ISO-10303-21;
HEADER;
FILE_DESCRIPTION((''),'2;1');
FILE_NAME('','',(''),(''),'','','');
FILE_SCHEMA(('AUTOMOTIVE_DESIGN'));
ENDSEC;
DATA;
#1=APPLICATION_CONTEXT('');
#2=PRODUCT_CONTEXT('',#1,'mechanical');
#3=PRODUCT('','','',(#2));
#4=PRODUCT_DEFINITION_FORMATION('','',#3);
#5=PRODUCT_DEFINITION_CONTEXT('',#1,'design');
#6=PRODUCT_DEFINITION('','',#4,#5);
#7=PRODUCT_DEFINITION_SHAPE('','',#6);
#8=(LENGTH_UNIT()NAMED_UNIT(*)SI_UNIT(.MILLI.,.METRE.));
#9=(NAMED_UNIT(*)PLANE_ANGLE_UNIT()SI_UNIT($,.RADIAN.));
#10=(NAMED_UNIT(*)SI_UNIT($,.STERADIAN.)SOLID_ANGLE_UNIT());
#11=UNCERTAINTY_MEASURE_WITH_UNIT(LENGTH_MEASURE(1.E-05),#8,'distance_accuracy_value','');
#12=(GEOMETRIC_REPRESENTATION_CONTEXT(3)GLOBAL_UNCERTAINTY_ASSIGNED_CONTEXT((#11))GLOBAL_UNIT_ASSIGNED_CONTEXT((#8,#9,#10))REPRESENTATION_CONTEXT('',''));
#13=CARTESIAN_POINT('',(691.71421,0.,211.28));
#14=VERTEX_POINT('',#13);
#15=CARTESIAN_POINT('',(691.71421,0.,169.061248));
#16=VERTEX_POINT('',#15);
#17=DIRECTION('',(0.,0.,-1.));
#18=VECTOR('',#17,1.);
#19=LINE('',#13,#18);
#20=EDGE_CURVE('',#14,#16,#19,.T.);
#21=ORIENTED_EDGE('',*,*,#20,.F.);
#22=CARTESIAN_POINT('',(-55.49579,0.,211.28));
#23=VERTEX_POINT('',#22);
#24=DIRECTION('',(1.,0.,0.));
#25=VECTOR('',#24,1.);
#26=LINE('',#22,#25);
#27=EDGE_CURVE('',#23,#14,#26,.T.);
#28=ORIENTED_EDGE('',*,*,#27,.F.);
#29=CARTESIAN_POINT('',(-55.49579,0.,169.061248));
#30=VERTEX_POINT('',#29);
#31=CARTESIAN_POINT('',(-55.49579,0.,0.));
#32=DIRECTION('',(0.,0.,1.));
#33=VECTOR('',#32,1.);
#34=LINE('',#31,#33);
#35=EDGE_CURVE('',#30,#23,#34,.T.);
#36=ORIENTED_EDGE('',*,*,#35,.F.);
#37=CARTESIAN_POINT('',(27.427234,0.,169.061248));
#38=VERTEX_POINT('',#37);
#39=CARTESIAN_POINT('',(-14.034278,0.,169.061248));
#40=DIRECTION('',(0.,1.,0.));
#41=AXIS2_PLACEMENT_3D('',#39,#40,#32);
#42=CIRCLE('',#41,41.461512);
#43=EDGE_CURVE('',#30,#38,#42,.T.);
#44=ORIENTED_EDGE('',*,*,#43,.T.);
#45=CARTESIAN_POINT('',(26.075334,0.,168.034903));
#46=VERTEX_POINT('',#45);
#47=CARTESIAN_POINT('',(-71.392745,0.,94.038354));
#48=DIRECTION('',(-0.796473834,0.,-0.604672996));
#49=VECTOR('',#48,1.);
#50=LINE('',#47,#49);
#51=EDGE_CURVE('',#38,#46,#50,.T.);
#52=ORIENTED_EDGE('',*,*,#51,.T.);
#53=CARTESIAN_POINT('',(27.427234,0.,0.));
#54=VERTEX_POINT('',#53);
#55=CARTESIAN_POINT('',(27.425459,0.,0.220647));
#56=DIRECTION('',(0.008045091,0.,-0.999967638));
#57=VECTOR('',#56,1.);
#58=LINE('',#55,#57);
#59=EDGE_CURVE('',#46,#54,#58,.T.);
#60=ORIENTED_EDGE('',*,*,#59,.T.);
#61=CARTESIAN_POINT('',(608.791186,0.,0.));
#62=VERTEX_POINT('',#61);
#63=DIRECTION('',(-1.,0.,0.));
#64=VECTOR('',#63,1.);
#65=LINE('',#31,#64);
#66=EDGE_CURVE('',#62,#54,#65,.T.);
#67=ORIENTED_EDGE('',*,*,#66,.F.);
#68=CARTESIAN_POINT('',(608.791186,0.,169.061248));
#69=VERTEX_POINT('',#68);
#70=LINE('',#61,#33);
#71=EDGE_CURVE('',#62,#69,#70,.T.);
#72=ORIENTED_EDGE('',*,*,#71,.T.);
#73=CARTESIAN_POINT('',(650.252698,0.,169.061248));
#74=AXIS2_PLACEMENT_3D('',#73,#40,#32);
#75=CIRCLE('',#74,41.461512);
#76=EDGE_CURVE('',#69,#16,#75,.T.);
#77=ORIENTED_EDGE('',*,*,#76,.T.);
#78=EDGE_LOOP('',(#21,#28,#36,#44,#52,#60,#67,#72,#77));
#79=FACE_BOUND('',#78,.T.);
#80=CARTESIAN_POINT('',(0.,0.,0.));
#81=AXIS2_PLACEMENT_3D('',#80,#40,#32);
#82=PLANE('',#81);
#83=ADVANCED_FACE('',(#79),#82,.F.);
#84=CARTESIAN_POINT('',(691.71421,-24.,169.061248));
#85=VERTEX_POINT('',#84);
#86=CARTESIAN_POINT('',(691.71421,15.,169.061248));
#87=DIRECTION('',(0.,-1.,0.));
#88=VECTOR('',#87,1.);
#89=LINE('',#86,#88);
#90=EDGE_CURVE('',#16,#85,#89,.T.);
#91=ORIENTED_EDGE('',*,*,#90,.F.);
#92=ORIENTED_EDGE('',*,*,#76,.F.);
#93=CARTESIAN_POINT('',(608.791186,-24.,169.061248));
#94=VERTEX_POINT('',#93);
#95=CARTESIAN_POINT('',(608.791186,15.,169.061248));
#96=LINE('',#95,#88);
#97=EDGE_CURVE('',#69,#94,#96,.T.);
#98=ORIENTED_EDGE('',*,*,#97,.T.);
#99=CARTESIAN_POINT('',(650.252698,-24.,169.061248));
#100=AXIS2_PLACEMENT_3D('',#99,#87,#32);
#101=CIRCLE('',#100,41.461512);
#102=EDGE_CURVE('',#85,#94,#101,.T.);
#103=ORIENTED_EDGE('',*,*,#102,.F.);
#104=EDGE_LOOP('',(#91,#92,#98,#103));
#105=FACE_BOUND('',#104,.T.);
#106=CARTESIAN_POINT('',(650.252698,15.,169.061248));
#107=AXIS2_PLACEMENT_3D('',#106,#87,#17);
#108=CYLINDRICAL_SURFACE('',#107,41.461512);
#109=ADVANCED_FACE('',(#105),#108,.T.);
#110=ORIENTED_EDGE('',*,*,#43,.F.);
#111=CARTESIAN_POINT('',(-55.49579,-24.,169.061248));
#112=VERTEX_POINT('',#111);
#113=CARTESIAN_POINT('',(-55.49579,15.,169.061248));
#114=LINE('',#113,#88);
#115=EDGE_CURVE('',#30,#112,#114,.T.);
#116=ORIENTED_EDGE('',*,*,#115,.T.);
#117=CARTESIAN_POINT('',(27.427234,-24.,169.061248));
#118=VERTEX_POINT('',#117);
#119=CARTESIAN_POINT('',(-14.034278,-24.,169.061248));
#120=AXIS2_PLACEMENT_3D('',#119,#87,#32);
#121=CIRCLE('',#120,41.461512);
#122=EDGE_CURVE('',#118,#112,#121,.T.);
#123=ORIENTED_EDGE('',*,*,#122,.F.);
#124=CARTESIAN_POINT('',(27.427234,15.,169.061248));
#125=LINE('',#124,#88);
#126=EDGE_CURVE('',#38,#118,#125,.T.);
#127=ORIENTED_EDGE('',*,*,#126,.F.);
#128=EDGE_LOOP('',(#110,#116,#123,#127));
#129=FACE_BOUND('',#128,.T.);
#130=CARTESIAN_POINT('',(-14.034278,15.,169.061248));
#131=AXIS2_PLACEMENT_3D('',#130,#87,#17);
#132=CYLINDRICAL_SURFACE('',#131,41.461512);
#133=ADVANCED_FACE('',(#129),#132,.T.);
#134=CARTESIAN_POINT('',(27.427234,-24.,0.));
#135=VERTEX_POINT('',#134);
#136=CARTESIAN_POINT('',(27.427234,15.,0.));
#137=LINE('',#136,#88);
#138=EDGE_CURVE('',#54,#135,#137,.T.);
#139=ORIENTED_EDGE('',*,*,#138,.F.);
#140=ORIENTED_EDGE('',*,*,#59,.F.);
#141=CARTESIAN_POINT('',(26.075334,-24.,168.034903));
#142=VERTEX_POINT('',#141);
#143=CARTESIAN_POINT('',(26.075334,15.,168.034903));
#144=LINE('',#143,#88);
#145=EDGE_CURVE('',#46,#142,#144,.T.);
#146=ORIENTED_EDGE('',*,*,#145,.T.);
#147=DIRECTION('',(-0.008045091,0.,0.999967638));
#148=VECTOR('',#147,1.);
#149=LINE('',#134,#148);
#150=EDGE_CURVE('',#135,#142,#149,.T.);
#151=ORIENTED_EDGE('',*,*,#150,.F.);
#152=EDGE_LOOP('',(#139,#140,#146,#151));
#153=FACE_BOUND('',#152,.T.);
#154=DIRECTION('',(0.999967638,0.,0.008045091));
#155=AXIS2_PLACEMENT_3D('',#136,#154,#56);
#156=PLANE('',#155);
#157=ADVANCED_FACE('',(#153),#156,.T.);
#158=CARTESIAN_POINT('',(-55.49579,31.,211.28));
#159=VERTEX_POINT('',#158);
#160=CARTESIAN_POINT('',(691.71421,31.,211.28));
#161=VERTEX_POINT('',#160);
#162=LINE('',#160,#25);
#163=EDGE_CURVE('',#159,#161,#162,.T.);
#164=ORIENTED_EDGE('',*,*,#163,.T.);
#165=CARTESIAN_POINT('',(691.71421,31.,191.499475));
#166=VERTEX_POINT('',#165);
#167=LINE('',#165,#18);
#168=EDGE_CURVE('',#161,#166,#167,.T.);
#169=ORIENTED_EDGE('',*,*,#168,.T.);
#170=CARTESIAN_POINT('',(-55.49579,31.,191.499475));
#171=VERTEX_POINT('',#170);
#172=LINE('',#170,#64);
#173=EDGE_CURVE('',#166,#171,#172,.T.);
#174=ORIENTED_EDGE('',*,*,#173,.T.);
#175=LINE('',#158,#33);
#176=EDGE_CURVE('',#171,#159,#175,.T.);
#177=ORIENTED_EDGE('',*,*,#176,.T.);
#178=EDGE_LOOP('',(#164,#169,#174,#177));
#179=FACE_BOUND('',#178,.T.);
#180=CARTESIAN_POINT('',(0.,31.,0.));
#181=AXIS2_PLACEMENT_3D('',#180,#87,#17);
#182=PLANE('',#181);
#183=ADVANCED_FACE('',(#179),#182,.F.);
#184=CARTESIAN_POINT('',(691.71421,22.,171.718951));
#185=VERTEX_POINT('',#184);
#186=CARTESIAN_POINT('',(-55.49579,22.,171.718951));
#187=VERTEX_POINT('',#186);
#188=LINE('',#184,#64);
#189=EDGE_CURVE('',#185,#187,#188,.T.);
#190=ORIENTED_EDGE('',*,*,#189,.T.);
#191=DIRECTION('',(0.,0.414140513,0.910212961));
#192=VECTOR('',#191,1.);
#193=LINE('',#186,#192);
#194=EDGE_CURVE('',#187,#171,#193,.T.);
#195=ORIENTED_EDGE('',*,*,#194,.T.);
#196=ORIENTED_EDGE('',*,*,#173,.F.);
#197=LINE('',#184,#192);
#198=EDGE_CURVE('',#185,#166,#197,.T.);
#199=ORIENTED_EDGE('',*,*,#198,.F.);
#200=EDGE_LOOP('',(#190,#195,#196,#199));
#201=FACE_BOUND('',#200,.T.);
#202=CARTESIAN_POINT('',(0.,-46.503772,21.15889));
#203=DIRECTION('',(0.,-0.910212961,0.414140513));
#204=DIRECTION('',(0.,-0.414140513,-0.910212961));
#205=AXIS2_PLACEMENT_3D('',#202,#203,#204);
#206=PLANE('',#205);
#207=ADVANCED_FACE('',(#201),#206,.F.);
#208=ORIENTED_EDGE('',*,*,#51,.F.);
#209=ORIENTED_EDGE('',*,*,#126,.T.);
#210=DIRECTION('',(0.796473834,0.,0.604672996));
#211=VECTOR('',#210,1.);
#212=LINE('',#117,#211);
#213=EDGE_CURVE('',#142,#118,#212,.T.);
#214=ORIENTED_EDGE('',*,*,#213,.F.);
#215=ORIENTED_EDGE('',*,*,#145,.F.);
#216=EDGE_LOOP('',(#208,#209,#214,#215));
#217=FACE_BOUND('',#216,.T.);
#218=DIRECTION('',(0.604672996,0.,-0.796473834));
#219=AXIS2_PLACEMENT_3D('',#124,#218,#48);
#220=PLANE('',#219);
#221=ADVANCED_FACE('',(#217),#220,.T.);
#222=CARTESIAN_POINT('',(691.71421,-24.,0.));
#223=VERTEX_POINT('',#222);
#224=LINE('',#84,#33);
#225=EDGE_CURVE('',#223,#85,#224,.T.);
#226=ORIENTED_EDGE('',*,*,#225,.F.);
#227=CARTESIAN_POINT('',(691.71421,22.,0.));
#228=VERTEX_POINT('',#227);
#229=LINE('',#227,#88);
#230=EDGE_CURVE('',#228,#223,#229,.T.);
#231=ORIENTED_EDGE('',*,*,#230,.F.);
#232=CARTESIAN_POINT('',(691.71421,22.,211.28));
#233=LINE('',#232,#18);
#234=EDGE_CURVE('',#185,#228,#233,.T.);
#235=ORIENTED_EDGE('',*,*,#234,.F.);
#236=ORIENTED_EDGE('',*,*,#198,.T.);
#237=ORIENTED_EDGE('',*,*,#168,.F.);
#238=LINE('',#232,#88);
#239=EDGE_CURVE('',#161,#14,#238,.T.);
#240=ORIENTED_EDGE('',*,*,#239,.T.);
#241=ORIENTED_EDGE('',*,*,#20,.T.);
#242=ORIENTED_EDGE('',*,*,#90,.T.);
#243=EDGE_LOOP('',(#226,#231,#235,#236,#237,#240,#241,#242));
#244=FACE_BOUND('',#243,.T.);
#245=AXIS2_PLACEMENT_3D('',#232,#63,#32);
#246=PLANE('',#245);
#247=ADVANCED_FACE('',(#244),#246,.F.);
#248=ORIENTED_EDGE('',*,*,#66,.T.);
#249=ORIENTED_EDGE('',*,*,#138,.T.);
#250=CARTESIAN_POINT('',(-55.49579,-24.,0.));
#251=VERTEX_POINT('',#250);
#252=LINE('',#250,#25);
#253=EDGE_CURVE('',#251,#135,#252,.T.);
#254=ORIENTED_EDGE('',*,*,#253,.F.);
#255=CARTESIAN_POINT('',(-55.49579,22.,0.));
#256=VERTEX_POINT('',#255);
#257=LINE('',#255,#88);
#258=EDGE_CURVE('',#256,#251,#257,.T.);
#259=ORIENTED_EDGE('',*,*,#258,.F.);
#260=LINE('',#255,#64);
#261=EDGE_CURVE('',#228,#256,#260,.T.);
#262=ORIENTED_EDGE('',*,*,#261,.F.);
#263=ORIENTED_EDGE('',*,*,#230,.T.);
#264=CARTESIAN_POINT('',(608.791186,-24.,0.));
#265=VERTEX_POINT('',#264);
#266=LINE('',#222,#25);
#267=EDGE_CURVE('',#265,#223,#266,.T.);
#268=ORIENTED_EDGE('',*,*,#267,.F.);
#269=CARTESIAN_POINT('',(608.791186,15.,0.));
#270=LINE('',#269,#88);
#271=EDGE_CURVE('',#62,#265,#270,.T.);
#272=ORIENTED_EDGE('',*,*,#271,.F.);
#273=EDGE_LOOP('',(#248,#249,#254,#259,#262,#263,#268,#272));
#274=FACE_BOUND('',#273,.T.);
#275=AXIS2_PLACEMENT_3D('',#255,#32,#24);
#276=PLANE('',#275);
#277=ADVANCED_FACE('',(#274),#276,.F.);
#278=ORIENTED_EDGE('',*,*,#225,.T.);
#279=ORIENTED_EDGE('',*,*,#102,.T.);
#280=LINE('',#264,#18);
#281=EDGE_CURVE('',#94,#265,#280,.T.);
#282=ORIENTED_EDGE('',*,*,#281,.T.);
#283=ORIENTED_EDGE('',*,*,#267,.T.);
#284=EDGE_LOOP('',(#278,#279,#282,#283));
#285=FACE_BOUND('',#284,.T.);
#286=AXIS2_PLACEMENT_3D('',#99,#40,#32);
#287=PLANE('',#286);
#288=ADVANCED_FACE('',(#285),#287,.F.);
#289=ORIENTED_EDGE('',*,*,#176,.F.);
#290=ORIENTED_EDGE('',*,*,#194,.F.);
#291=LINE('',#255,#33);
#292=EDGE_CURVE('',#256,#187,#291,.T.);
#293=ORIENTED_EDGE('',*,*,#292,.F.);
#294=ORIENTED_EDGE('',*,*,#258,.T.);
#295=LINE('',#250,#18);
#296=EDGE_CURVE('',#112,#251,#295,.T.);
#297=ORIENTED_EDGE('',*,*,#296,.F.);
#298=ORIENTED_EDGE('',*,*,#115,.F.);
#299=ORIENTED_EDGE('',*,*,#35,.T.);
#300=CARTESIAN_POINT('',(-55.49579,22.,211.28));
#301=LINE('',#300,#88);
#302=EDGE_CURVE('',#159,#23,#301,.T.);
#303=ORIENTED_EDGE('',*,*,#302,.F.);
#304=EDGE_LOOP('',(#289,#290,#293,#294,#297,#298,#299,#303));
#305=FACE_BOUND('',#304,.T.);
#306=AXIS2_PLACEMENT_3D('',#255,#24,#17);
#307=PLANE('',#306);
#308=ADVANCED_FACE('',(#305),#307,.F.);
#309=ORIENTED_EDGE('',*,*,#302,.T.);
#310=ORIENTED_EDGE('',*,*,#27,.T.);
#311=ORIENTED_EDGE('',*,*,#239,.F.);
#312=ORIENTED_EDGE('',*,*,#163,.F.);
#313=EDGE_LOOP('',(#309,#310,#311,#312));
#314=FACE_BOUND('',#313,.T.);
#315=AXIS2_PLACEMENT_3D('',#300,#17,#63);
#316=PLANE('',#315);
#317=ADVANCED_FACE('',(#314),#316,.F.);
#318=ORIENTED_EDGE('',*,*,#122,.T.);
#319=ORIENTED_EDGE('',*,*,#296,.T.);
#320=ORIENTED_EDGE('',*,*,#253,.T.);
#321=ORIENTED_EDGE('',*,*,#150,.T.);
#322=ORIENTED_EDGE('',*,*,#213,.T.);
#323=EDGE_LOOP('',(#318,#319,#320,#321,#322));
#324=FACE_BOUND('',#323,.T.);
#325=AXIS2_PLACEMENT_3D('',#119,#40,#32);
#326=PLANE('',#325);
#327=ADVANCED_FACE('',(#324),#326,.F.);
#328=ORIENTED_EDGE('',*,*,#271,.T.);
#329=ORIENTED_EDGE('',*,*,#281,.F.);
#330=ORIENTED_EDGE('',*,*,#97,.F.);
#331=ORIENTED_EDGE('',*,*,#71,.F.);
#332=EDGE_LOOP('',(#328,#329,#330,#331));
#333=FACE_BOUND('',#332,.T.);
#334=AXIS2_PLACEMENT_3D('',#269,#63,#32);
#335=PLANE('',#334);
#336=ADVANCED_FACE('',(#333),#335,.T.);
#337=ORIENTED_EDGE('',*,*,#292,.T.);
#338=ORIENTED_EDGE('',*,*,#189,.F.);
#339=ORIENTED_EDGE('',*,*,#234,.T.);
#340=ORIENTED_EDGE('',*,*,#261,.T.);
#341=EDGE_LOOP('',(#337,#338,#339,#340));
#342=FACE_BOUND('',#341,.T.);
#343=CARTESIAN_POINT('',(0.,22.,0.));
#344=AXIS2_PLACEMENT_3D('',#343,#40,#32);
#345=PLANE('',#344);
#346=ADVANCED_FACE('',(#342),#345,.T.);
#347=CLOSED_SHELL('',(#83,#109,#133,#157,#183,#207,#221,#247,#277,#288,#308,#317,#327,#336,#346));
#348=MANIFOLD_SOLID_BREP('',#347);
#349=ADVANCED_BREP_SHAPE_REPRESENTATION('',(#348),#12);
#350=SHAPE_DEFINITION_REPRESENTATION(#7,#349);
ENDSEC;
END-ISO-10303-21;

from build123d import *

# Parameters (mm, degrees)
CROQUIS1_W              = 747.21
CROQUIS1_H              = 211.28
SALIENTE_EXTRUIR1_DEPTH = 22
SALIENTE_EXTRUIR6_DEPTH = 39


with BuildPart() as part:
    # Croquis1 → Saliente-Extruir1 (new body)
    with BuildSketch(Plane(origin=(0, 0, 0), x_dir=(1, 0, 0), z_dir=(0, 1, 0))):
        with Locations((318.109210015, -105.64)):
            Rectangle(CROQUIS1_W, CROQUIS1_H)
    extrude(amount=SALIENTE_EXTRUIR1_DEPTH)

    # Croquis2 → Recubrir1 section 0
    with BuildSketch(Plane(origin=(0, 22, 0), x_dir=(1, 0, 0), z_dir=(0, 1, 0))):
        with BuildLine():
            Line((-55.495789985, -171.71895061), (-55.495789985, -211.28))
            Line((-55.495789985, -211.28), (691.714210015, -211.28))
            Line((691.714210015, -211.28), (691.714210015, -171.71895061))
            Line((691.714210015, -171.71895061), (-55.495789985, -171.71895061))
        make_face()
    # Croquis3 → Recubrir1 section 1
    with BuildSketch(Plane(origin=(0, 31, 0), x_dir=(1, 0, 0), z_dir=(0, 1, 0))):
        with BuildLine():
            Line((-55.495789985, -211.28), (-55.495789985, -191.499475305))
            Line((-55.495789985, -191.499475305), (691.714210015, -191.499475305))
            Line((691.714210015, -191.499475305), (691.714210015, -211.28))
            Line((691.714210015, -211.28), (-55.495789985, -211.28))
        make_face()
    loft()

    # Croquis4 → Saliente-Extruir6 (add)
    with BuildSketch(Plane(origin=(0, -24, 0), x_dir=(-1, 0, 0), z_dir=(0, -1, 0))):
        with BuildLine():
            Line((-691.714210015, 0), (-608.79118576, 0))
            Line((-608.79118576, 0), (-608.79118576, -169.061248366))
            ThreePointArc((-608.79118576, -169.061248366), (-650.252697887, -210.522760493), (-691.714210015, -169.061248366))
            Line((-691.714210015, -169.061248366), (-691.714210015, 0))
        make_face()
        with BuildLine():
            Line((55.495789985, 0), (55.495789985, -169.06124837))
            ThreePointArc((55.495789985, -169.06124837), (14.034277855, -210.5227605), (-27.427234275, -169.06124837))
            Line((-27.427234275, -169.06124837), (-26.075334487, -168.034902921))
            Line((-26.075334487, -168.034902921), (-27.427234275, 0))
            Line((-27.427234275, 0), (55.495789985, 0))
        make_face()
    extrude(amount=-SALIENTE_EXTRUIR6_DEPTH)


solid = part.part
